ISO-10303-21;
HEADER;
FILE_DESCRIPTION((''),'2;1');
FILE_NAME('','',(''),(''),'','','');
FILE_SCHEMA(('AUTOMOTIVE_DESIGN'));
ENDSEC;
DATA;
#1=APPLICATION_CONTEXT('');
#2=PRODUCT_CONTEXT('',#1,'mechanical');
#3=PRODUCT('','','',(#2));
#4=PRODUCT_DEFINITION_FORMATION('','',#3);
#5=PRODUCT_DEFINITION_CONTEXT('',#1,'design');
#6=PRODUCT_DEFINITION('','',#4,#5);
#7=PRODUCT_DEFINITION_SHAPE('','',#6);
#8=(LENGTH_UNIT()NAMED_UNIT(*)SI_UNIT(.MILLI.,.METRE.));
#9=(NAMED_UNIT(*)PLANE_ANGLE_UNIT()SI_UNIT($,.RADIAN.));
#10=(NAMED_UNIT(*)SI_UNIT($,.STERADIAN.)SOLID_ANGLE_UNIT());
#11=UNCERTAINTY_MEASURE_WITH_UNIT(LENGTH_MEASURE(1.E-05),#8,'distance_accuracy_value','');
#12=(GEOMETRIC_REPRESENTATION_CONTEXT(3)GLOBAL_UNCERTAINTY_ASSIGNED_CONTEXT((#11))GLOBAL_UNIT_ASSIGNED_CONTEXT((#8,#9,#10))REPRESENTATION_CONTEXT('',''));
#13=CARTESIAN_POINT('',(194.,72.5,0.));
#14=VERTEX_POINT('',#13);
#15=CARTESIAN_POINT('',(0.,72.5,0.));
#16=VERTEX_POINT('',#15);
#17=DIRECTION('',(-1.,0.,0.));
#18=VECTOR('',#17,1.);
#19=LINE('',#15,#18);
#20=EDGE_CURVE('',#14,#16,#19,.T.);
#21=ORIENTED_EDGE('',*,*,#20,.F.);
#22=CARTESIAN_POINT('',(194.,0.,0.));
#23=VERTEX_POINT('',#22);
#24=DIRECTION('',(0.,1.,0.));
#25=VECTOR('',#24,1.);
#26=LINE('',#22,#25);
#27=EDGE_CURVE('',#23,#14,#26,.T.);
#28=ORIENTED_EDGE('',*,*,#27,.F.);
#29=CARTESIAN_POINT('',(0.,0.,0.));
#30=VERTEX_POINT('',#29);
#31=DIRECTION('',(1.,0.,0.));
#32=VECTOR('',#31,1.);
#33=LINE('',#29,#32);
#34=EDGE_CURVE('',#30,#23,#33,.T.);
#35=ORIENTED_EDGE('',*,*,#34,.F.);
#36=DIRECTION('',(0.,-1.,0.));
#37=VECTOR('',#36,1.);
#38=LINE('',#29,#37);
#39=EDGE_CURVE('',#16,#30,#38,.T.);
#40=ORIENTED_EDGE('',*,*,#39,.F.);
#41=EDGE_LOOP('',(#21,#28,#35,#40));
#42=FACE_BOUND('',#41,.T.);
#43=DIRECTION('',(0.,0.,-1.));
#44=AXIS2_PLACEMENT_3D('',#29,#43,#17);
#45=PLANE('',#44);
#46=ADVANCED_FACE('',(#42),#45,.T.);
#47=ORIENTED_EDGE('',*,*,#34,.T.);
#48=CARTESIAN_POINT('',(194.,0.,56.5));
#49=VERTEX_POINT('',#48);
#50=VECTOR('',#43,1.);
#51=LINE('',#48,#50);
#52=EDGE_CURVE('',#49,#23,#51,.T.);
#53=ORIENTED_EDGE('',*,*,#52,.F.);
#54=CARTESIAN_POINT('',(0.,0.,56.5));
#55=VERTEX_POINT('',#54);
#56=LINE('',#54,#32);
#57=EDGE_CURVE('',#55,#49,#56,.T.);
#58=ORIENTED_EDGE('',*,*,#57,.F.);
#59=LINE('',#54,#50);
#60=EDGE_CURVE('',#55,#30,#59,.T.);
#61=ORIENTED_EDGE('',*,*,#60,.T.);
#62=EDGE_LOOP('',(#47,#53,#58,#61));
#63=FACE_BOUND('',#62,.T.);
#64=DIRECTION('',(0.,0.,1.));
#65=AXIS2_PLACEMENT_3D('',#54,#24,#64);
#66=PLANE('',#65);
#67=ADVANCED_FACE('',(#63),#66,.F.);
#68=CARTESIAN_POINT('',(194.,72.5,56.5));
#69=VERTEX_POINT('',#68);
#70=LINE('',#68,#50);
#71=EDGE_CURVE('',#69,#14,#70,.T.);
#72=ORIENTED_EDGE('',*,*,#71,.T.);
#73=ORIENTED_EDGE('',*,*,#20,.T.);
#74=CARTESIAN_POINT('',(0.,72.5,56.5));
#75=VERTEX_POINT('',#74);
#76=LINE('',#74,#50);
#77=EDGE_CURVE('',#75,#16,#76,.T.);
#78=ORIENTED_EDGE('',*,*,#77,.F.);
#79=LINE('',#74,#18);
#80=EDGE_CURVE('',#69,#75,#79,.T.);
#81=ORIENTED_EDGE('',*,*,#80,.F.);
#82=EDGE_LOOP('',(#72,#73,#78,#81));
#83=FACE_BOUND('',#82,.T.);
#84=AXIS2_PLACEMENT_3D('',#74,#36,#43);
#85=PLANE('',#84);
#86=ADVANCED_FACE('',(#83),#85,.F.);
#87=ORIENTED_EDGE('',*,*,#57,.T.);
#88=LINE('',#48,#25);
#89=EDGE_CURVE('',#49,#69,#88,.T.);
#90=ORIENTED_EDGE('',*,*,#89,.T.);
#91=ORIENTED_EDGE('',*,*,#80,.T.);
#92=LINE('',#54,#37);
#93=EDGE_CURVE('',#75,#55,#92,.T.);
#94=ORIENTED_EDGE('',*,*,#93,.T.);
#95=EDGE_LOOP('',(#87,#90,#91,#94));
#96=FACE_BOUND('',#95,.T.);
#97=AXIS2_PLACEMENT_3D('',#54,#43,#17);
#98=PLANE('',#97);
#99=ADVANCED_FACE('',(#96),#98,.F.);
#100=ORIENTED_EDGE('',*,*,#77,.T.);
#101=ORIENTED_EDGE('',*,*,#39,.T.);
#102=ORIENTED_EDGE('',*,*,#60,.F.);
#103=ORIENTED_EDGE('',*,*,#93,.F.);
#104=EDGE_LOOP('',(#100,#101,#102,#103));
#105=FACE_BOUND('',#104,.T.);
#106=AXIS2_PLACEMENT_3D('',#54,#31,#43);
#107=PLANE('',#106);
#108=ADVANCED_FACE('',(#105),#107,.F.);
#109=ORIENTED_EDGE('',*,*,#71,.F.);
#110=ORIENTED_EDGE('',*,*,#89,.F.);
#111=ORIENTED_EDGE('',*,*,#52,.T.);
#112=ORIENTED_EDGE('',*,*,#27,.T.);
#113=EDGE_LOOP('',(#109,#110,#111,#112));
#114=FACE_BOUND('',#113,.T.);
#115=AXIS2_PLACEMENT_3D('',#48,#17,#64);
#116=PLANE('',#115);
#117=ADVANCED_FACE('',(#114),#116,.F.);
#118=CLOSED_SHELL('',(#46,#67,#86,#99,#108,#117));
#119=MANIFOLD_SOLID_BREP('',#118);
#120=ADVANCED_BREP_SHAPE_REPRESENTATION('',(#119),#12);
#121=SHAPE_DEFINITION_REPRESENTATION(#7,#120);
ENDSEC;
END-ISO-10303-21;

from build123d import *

# Parameters (mm, degrees)
SKETCH_1_W      = 194
SKETCH_1_H      = 72.5
EXTRUDE_1_DEPTH = 56.5


with BuildPart() as part:
    # 草图1 → 凸台-拉伸1 (new body)
    with BuildSketch(Plane.XY):
        with Locations((97, 36.25)):
            Rectangle(SKETCH_1_W, SKETCH_1_H)
    extrude(amount=EXTRUDE_1_DEPTH)


solid = part.part
